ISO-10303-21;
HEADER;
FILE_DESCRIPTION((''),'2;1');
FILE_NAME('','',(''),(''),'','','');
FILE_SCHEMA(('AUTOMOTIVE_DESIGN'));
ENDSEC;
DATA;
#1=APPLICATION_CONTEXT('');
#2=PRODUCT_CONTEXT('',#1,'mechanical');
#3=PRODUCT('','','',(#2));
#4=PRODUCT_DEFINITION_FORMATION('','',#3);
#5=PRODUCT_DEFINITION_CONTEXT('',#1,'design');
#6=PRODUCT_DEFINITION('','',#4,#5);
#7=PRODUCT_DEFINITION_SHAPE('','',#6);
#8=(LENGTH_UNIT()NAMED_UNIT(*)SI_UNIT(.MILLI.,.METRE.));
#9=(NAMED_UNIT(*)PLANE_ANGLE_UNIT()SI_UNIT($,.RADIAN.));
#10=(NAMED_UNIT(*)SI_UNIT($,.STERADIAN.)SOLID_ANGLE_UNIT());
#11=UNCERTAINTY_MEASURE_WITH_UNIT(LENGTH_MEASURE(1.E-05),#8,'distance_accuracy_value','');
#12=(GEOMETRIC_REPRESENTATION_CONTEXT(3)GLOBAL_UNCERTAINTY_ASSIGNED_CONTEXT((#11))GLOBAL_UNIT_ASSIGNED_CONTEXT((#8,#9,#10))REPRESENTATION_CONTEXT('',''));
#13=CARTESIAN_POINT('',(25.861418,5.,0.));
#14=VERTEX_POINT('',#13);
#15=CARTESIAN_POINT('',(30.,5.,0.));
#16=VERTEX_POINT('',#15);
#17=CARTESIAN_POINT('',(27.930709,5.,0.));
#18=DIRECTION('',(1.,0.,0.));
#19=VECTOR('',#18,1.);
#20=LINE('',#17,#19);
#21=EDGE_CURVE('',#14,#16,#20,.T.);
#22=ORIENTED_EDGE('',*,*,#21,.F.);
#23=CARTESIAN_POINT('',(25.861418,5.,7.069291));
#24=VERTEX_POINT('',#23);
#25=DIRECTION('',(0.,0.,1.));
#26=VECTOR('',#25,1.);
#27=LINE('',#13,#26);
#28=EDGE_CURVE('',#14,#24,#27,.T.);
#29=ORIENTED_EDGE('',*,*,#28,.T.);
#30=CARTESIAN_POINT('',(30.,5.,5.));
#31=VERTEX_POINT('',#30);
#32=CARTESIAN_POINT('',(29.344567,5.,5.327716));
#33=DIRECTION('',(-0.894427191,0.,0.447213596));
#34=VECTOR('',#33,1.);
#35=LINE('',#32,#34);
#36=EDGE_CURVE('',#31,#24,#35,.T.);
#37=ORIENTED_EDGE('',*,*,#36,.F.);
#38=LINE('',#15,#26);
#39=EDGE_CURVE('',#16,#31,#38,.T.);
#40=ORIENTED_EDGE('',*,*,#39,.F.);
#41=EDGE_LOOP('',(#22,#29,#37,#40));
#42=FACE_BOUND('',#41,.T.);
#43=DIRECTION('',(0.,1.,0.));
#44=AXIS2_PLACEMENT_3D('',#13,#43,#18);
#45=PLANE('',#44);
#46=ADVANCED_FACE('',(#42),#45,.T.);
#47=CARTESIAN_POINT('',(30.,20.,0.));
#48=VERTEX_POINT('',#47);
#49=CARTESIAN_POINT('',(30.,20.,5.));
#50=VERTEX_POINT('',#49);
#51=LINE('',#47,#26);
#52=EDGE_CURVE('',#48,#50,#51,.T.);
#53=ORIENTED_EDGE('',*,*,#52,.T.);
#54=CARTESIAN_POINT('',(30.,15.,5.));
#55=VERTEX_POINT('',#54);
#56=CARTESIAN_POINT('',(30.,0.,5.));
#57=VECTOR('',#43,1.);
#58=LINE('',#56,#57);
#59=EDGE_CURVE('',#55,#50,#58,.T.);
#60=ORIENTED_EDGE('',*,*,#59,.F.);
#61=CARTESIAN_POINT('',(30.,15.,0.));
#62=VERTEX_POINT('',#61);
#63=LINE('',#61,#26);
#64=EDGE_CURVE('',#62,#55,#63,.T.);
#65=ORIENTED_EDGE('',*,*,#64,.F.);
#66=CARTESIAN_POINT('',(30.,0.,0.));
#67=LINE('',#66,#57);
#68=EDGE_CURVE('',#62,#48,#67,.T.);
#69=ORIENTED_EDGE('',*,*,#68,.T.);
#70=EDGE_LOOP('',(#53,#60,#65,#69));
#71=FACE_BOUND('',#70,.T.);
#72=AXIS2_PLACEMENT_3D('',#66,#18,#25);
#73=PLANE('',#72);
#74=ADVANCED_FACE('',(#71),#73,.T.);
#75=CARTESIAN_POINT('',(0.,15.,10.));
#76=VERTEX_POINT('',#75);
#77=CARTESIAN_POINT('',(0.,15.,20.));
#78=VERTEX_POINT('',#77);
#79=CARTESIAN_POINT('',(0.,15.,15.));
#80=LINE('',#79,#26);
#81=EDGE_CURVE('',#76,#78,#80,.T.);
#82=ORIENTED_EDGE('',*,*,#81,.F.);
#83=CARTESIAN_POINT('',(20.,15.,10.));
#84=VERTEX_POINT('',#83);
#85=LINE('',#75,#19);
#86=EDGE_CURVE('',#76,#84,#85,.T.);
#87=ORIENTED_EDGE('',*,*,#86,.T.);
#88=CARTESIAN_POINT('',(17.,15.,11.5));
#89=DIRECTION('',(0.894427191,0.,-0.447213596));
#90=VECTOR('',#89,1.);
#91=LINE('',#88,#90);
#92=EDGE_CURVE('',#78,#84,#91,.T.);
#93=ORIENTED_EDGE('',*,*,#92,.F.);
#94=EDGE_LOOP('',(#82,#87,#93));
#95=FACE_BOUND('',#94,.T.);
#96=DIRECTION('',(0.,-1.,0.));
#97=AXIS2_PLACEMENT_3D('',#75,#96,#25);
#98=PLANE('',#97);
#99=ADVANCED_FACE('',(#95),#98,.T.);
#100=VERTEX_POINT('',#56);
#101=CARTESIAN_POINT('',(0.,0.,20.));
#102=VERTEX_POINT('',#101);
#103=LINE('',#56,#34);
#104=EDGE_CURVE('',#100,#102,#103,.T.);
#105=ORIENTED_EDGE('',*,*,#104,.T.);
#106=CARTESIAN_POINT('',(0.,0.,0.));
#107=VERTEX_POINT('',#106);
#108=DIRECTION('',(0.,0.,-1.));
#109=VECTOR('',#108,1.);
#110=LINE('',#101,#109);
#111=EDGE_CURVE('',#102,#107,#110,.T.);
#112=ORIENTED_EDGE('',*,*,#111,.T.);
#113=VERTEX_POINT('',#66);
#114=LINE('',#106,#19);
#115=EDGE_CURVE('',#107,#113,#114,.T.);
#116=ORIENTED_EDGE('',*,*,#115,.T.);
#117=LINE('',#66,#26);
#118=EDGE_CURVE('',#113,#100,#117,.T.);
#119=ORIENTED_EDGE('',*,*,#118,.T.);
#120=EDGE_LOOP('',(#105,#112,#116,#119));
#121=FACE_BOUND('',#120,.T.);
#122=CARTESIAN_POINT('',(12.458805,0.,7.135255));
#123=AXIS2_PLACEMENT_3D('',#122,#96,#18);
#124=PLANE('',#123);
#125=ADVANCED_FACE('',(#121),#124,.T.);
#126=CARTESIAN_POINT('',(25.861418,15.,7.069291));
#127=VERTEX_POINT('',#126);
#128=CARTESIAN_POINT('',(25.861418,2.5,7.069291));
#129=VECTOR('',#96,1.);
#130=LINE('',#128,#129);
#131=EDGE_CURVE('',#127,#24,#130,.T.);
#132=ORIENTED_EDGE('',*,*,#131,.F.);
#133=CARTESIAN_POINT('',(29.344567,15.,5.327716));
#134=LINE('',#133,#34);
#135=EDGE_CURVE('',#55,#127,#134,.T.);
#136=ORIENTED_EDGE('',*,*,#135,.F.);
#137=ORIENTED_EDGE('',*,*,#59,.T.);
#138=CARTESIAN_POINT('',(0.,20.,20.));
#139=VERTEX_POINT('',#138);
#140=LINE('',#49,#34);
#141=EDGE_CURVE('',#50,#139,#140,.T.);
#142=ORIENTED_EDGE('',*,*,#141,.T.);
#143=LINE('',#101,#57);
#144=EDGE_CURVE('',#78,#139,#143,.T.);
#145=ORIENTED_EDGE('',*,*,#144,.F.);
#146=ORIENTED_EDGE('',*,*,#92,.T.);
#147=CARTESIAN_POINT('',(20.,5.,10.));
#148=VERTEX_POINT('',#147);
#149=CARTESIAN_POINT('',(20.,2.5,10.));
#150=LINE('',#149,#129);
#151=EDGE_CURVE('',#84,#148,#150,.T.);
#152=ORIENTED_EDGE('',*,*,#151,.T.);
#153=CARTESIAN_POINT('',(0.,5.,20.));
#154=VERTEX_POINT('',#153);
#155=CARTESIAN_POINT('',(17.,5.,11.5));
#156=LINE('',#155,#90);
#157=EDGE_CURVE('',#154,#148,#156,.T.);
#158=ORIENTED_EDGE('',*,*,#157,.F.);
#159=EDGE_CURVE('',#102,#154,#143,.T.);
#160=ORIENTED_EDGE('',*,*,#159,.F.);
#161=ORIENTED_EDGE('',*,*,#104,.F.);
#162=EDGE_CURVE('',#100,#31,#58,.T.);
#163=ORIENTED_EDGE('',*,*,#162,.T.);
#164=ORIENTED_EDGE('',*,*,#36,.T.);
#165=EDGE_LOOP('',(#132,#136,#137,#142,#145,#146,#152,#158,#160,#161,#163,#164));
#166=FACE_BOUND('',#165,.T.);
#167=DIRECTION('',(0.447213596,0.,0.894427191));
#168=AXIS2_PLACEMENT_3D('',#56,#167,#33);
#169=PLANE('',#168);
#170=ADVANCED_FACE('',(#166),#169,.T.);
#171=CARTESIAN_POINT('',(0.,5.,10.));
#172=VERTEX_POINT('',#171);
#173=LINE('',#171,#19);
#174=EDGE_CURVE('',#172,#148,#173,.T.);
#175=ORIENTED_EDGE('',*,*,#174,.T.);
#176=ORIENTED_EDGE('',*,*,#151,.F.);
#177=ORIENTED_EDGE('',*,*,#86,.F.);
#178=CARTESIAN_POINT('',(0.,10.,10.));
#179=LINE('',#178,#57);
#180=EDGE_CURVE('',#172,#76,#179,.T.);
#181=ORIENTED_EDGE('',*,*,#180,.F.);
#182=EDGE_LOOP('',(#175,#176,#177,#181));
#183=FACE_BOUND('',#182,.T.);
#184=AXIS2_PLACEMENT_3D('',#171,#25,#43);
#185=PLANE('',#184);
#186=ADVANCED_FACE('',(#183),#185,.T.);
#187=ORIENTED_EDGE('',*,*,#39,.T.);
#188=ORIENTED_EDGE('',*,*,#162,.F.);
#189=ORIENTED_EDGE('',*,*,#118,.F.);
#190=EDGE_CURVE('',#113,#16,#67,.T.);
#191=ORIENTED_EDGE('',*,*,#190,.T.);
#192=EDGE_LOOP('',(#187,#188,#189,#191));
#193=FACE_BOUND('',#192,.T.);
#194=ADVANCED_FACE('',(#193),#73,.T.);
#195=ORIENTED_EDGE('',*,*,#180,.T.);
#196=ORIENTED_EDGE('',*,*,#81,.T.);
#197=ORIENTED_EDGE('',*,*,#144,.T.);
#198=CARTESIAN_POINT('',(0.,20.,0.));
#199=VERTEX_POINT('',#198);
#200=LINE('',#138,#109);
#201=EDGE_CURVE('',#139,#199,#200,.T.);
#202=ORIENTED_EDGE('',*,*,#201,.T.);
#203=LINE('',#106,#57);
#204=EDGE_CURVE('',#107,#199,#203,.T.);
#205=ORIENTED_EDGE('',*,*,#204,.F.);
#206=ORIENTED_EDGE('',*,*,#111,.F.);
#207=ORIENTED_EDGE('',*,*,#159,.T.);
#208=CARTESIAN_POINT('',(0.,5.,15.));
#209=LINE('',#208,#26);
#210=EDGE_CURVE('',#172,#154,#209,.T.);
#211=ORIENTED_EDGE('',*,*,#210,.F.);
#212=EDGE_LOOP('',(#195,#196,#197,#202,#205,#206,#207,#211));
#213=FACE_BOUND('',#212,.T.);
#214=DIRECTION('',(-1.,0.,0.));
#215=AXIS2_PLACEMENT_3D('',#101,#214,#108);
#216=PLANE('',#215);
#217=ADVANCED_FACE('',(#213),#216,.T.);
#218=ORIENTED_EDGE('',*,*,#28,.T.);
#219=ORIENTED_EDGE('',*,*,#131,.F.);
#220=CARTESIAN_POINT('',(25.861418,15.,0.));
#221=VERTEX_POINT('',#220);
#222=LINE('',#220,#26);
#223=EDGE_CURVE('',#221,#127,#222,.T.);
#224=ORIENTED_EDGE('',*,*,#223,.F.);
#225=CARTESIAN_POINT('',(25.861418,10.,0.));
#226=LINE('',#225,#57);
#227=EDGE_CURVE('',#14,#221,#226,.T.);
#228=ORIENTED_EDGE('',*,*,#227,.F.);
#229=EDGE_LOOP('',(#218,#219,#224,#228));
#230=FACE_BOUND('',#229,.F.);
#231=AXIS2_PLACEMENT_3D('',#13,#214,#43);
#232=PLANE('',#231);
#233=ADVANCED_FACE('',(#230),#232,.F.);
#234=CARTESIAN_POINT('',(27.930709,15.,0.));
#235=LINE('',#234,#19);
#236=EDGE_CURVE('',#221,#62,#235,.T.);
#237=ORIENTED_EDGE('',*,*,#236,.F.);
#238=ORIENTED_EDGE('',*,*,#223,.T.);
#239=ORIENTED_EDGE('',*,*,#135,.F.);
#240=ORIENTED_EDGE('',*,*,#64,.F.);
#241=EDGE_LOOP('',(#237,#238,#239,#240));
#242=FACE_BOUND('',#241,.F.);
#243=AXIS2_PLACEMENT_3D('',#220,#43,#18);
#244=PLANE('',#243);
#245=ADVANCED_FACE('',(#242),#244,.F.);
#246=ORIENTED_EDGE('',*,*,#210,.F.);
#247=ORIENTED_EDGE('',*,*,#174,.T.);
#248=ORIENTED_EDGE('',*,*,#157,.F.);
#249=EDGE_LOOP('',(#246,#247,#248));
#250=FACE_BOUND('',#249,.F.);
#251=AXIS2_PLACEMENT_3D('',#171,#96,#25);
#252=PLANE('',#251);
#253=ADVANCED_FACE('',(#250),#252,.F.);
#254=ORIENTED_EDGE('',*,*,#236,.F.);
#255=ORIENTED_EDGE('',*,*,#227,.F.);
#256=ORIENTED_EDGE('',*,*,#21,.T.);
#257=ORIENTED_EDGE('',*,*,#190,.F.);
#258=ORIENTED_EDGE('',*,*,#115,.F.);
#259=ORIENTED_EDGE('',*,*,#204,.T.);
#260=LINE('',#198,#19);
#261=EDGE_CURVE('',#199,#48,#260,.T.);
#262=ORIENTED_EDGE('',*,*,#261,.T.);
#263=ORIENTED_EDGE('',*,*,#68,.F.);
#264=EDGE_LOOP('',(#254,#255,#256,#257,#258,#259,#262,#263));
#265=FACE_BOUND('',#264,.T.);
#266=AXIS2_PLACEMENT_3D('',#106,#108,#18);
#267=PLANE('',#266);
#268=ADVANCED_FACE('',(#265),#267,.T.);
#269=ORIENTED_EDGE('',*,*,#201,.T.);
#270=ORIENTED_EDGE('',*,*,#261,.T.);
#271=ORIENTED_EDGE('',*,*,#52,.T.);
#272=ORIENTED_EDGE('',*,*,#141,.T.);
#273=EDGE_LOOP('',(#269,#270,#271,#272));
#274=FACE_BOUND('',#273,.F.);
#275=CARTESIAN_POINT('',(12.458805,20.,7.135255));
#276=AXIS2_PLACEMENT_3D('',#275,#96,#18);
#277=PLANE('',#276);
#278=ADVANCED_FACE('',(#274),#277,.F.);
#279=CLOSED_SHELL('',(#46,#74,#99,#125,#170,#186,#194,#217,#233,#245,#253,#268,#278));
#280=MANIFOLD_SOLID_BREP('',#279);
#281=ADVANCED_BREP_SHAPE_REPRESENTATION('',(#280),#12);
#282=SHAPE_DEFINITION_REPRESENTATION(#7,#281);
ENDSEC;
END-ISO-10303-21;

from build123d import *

# Parameters (mm, degrees)
F1_DEPTH = 20
F2_W     = 10
F2_H     = 10
F3_DEPTH = 25
F4_W     = 4.138582
F4_H     = 10
F5_DEPTH = 25


with BuildPart() as f1:
    # F0 (on Front) → F1 (new body)
    with BuildSketch(Plane.XZ):
        Polygon((0, 20), (0, 0), (30, 0), (30, 5), align=None)
    extrude(amount=-F1_DEPTH)

    # F2 (on Right) → F3 (cut)
    with BuildSketch(Plane.YZ):
        with Locations((10, 15)):
            Rectangle(F2_W, F2_H)
    extrude(amount=F3_DEPTH, mode=Mode.SUBTRACT)

    # F4 (on Top) → F5 (cut)
    with BuildSketch(Plane.XY):
        with Locations((27.930709, 10)):
            Rectangle(F4_W, F4_H)
    extrude(amount=F5_DEPTH, mode=Mode.SUBTRACT)


solid = f1.part
